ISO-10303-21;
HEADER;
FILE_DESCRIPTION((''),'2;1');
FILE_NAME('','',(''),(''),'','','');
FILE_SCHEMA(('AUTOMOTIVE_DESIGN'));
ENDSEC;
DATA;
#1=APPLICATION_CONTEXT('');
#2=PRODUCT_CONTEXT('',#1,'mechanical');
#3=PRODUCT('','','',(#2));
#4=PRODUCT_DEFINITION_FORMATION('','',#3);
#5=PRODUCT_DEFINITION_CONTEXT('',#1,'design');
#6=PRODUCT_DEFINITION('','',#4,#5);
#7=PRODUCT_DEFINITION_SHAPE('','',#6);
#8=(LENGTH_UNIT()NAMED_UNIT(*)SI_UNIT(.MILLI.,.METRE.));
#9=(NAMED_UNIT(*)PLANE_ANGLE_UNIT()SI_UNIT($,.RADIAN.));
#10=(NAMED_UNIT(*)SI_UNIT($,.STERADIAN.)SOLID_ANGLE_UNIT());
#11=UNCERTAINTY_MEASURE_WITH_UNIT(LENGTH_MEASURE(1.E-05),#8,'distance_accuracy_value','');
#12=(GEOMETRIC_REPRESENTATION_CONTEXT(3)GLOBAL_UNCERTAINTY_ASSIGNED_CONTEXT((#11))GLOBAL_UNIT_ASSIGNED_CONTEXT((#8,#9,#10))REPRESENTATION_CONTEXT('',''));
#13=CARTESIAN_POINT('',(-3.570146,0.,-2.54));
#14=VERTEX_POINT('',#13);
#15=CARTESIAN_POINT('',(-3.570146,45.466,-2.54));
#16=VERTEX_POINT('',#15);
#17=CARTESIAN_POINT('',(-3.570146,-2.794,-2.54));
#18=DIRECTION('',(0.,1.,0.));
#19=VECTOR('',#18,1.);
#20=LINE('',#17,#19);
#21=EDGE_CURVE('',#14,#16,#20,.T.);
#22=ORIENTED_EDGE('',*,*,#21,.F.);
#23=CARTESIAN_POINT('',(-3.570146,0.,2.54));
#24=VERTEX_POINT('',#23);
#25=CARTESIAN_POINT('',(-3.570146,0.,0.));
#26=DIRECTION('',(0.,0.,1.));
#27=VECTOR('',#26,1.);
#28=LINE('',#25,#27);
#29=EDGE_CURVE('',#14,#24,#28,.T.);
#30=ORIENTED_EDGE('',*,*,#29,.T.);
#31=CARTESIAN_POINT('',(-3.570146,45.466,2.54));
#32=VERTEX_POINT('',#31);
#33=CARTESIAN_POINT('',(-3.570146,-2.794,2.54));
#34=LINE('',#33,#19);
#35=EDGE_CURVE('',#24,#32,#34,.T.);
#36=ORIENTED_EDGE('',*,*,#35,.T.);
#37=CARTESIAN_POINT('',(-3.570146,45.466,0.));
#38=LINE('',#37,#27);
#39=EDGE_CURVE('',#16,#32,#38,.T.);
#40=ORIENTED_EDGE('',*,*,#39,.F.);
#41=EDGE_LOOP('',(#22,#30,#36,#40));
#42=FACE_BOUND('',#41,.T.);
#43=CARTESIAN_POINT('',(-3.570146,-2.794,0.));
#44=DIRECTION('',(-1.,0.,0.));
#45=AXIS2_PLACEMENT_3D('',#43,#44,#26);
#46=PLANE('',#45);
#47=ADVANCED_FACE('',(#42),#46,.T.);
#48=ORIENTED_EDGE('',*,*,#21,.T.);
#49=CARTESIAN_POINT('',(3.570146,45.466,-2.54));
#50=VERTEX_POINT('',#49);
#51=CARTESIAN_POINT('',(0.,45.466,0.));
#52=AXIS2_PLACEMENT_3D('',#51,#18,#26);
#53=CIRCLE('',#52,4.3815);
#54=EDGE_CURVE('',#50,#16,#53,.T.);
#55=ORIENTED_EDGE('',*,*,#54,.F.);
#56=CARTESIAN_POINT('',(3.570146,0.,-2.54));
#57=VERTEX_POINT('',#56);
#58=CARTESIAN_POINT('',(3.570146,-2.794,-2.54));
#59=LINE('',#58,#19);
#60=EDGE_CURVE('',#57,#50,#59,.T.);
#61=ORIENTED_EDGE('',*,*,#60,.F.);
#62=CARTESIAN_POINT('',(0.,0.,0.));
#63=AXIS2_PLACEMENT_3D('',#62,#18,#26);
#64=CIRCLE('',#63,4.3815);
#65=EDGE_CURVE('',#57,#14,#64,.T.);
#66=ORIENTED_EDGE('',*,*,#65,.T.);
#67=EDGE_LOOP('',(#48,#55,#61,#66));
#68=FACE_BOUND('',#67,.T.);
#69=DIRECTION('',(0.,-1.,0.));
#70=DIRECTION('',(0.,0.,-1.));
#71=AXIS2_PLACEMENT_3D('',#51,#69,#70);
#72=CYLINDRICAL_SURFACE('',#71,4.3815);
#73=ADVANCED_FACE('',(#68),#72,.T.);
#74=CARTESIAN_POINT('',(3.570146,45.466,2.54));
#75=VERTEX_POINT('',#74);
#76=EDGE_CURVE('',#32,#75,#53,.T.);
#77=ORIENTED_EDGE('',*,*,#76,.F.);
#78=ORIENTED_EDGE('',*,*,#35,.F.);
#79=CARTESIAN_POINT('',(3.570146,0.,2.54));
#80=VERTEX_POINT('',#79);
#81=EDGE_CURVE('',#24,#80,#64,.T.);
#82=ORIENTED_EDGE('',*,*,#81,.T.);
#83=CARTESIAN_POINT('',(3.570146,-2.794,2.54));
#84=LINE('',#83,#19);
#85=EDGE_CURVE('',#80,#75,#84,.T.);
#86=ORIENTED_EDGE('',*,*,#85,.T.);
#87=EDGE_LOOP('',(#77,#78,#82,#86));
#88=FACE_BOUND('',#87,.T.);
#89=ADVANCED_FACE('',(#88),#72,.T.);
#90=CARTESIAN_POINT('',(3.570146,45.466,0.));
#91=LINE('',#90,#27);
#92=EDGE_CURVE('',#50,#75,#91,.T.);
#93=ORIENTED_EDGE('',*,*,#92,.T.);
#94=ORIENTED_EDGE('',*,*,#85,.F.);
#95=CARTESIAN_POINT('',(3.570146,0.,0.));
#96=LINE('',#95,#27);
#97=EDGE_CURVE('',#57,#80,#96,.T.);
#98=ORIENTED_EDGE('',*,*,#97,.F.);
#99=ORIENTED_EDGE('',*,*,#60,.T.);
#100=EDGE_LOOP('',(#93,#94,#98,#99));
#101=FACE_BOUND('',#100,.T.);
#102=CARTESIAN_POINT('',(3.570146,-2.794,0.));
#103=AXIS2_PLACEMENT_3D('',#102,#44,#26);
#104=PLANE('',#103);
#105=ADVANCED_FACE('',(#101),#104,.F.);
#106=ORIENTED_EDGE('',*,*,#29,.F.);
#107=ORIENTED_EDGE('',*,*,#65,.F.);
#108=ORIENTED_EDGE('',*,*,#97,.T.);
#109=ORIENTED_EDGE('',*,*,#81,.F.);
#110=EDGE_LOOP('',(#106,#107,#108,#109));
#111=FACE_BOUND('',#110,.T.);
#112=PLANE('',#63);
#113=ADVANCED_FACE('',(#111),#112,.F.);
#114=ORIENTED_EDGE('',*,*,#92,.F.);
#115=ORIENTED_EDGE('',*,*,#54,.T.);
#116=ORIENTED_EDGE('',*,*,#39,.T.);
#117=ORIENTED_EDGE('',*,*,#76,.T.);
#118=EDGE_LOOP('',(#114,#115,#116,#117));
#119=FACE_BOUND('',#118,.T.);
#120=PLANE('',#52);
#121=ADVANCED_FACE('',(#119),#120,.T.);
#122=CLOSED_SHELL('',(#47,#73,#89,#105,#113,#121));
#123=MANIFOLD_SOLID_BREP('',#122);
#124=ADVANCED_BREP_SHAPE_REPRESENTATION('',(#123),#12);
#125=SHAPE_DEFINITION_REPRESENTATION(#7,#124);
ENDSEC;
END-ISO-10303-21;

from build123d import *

# Parameters (mm, degrees)
SKETCH1_R           = 4.3815
BOSS_EXTRUDE1_DEPTH = 45.466
CUT_EXTRUDE1_DEPTH  = 48.26


with BuildPart() as part:
    # Sketch1 → Boss-Extrude1 (new body)
    with BuildSketch(Plane(origin=(0, 0, 0), x_dir=(1, 0, 0), z_dir=(0, 1, 0))):
        Circle(SKETCH1_R)
    extrude(amount=BOSS_EXTRUDE1_DEPTH)

    # Sketch2 → Cut-Extrude1 (cut)
    with BuildSketch(Plane(origin=(0, 45.466, 0), x_dir=(1, 0, 0), z_dir=(0, 1, 0))):
        with BuildLine():
            Line((-3.57014597, -2.54), (-3.57014597, 2.54))
            ThreePointArc((-3.57014597, 2.54), (-4.3815, 0), (-3.57014597, -2.54))
        make_face()
        with BuildLine():
            ThreePointArc((4.3815, 0), (4.173735546, 1.333219352), (3.57014597, 2.54))
            Line((3.57014597, 2.54), (3.57014597, -2.54))
            ThreePointArc((3.57014597, -2.54), (4.173735546, -1.333219352), (4.3815, 0))
        make_face()
    extrude(amount=-CUT_EXTRUDE1_DEPTH, mode=Mode.SUBTRACT)


solid = part.part
